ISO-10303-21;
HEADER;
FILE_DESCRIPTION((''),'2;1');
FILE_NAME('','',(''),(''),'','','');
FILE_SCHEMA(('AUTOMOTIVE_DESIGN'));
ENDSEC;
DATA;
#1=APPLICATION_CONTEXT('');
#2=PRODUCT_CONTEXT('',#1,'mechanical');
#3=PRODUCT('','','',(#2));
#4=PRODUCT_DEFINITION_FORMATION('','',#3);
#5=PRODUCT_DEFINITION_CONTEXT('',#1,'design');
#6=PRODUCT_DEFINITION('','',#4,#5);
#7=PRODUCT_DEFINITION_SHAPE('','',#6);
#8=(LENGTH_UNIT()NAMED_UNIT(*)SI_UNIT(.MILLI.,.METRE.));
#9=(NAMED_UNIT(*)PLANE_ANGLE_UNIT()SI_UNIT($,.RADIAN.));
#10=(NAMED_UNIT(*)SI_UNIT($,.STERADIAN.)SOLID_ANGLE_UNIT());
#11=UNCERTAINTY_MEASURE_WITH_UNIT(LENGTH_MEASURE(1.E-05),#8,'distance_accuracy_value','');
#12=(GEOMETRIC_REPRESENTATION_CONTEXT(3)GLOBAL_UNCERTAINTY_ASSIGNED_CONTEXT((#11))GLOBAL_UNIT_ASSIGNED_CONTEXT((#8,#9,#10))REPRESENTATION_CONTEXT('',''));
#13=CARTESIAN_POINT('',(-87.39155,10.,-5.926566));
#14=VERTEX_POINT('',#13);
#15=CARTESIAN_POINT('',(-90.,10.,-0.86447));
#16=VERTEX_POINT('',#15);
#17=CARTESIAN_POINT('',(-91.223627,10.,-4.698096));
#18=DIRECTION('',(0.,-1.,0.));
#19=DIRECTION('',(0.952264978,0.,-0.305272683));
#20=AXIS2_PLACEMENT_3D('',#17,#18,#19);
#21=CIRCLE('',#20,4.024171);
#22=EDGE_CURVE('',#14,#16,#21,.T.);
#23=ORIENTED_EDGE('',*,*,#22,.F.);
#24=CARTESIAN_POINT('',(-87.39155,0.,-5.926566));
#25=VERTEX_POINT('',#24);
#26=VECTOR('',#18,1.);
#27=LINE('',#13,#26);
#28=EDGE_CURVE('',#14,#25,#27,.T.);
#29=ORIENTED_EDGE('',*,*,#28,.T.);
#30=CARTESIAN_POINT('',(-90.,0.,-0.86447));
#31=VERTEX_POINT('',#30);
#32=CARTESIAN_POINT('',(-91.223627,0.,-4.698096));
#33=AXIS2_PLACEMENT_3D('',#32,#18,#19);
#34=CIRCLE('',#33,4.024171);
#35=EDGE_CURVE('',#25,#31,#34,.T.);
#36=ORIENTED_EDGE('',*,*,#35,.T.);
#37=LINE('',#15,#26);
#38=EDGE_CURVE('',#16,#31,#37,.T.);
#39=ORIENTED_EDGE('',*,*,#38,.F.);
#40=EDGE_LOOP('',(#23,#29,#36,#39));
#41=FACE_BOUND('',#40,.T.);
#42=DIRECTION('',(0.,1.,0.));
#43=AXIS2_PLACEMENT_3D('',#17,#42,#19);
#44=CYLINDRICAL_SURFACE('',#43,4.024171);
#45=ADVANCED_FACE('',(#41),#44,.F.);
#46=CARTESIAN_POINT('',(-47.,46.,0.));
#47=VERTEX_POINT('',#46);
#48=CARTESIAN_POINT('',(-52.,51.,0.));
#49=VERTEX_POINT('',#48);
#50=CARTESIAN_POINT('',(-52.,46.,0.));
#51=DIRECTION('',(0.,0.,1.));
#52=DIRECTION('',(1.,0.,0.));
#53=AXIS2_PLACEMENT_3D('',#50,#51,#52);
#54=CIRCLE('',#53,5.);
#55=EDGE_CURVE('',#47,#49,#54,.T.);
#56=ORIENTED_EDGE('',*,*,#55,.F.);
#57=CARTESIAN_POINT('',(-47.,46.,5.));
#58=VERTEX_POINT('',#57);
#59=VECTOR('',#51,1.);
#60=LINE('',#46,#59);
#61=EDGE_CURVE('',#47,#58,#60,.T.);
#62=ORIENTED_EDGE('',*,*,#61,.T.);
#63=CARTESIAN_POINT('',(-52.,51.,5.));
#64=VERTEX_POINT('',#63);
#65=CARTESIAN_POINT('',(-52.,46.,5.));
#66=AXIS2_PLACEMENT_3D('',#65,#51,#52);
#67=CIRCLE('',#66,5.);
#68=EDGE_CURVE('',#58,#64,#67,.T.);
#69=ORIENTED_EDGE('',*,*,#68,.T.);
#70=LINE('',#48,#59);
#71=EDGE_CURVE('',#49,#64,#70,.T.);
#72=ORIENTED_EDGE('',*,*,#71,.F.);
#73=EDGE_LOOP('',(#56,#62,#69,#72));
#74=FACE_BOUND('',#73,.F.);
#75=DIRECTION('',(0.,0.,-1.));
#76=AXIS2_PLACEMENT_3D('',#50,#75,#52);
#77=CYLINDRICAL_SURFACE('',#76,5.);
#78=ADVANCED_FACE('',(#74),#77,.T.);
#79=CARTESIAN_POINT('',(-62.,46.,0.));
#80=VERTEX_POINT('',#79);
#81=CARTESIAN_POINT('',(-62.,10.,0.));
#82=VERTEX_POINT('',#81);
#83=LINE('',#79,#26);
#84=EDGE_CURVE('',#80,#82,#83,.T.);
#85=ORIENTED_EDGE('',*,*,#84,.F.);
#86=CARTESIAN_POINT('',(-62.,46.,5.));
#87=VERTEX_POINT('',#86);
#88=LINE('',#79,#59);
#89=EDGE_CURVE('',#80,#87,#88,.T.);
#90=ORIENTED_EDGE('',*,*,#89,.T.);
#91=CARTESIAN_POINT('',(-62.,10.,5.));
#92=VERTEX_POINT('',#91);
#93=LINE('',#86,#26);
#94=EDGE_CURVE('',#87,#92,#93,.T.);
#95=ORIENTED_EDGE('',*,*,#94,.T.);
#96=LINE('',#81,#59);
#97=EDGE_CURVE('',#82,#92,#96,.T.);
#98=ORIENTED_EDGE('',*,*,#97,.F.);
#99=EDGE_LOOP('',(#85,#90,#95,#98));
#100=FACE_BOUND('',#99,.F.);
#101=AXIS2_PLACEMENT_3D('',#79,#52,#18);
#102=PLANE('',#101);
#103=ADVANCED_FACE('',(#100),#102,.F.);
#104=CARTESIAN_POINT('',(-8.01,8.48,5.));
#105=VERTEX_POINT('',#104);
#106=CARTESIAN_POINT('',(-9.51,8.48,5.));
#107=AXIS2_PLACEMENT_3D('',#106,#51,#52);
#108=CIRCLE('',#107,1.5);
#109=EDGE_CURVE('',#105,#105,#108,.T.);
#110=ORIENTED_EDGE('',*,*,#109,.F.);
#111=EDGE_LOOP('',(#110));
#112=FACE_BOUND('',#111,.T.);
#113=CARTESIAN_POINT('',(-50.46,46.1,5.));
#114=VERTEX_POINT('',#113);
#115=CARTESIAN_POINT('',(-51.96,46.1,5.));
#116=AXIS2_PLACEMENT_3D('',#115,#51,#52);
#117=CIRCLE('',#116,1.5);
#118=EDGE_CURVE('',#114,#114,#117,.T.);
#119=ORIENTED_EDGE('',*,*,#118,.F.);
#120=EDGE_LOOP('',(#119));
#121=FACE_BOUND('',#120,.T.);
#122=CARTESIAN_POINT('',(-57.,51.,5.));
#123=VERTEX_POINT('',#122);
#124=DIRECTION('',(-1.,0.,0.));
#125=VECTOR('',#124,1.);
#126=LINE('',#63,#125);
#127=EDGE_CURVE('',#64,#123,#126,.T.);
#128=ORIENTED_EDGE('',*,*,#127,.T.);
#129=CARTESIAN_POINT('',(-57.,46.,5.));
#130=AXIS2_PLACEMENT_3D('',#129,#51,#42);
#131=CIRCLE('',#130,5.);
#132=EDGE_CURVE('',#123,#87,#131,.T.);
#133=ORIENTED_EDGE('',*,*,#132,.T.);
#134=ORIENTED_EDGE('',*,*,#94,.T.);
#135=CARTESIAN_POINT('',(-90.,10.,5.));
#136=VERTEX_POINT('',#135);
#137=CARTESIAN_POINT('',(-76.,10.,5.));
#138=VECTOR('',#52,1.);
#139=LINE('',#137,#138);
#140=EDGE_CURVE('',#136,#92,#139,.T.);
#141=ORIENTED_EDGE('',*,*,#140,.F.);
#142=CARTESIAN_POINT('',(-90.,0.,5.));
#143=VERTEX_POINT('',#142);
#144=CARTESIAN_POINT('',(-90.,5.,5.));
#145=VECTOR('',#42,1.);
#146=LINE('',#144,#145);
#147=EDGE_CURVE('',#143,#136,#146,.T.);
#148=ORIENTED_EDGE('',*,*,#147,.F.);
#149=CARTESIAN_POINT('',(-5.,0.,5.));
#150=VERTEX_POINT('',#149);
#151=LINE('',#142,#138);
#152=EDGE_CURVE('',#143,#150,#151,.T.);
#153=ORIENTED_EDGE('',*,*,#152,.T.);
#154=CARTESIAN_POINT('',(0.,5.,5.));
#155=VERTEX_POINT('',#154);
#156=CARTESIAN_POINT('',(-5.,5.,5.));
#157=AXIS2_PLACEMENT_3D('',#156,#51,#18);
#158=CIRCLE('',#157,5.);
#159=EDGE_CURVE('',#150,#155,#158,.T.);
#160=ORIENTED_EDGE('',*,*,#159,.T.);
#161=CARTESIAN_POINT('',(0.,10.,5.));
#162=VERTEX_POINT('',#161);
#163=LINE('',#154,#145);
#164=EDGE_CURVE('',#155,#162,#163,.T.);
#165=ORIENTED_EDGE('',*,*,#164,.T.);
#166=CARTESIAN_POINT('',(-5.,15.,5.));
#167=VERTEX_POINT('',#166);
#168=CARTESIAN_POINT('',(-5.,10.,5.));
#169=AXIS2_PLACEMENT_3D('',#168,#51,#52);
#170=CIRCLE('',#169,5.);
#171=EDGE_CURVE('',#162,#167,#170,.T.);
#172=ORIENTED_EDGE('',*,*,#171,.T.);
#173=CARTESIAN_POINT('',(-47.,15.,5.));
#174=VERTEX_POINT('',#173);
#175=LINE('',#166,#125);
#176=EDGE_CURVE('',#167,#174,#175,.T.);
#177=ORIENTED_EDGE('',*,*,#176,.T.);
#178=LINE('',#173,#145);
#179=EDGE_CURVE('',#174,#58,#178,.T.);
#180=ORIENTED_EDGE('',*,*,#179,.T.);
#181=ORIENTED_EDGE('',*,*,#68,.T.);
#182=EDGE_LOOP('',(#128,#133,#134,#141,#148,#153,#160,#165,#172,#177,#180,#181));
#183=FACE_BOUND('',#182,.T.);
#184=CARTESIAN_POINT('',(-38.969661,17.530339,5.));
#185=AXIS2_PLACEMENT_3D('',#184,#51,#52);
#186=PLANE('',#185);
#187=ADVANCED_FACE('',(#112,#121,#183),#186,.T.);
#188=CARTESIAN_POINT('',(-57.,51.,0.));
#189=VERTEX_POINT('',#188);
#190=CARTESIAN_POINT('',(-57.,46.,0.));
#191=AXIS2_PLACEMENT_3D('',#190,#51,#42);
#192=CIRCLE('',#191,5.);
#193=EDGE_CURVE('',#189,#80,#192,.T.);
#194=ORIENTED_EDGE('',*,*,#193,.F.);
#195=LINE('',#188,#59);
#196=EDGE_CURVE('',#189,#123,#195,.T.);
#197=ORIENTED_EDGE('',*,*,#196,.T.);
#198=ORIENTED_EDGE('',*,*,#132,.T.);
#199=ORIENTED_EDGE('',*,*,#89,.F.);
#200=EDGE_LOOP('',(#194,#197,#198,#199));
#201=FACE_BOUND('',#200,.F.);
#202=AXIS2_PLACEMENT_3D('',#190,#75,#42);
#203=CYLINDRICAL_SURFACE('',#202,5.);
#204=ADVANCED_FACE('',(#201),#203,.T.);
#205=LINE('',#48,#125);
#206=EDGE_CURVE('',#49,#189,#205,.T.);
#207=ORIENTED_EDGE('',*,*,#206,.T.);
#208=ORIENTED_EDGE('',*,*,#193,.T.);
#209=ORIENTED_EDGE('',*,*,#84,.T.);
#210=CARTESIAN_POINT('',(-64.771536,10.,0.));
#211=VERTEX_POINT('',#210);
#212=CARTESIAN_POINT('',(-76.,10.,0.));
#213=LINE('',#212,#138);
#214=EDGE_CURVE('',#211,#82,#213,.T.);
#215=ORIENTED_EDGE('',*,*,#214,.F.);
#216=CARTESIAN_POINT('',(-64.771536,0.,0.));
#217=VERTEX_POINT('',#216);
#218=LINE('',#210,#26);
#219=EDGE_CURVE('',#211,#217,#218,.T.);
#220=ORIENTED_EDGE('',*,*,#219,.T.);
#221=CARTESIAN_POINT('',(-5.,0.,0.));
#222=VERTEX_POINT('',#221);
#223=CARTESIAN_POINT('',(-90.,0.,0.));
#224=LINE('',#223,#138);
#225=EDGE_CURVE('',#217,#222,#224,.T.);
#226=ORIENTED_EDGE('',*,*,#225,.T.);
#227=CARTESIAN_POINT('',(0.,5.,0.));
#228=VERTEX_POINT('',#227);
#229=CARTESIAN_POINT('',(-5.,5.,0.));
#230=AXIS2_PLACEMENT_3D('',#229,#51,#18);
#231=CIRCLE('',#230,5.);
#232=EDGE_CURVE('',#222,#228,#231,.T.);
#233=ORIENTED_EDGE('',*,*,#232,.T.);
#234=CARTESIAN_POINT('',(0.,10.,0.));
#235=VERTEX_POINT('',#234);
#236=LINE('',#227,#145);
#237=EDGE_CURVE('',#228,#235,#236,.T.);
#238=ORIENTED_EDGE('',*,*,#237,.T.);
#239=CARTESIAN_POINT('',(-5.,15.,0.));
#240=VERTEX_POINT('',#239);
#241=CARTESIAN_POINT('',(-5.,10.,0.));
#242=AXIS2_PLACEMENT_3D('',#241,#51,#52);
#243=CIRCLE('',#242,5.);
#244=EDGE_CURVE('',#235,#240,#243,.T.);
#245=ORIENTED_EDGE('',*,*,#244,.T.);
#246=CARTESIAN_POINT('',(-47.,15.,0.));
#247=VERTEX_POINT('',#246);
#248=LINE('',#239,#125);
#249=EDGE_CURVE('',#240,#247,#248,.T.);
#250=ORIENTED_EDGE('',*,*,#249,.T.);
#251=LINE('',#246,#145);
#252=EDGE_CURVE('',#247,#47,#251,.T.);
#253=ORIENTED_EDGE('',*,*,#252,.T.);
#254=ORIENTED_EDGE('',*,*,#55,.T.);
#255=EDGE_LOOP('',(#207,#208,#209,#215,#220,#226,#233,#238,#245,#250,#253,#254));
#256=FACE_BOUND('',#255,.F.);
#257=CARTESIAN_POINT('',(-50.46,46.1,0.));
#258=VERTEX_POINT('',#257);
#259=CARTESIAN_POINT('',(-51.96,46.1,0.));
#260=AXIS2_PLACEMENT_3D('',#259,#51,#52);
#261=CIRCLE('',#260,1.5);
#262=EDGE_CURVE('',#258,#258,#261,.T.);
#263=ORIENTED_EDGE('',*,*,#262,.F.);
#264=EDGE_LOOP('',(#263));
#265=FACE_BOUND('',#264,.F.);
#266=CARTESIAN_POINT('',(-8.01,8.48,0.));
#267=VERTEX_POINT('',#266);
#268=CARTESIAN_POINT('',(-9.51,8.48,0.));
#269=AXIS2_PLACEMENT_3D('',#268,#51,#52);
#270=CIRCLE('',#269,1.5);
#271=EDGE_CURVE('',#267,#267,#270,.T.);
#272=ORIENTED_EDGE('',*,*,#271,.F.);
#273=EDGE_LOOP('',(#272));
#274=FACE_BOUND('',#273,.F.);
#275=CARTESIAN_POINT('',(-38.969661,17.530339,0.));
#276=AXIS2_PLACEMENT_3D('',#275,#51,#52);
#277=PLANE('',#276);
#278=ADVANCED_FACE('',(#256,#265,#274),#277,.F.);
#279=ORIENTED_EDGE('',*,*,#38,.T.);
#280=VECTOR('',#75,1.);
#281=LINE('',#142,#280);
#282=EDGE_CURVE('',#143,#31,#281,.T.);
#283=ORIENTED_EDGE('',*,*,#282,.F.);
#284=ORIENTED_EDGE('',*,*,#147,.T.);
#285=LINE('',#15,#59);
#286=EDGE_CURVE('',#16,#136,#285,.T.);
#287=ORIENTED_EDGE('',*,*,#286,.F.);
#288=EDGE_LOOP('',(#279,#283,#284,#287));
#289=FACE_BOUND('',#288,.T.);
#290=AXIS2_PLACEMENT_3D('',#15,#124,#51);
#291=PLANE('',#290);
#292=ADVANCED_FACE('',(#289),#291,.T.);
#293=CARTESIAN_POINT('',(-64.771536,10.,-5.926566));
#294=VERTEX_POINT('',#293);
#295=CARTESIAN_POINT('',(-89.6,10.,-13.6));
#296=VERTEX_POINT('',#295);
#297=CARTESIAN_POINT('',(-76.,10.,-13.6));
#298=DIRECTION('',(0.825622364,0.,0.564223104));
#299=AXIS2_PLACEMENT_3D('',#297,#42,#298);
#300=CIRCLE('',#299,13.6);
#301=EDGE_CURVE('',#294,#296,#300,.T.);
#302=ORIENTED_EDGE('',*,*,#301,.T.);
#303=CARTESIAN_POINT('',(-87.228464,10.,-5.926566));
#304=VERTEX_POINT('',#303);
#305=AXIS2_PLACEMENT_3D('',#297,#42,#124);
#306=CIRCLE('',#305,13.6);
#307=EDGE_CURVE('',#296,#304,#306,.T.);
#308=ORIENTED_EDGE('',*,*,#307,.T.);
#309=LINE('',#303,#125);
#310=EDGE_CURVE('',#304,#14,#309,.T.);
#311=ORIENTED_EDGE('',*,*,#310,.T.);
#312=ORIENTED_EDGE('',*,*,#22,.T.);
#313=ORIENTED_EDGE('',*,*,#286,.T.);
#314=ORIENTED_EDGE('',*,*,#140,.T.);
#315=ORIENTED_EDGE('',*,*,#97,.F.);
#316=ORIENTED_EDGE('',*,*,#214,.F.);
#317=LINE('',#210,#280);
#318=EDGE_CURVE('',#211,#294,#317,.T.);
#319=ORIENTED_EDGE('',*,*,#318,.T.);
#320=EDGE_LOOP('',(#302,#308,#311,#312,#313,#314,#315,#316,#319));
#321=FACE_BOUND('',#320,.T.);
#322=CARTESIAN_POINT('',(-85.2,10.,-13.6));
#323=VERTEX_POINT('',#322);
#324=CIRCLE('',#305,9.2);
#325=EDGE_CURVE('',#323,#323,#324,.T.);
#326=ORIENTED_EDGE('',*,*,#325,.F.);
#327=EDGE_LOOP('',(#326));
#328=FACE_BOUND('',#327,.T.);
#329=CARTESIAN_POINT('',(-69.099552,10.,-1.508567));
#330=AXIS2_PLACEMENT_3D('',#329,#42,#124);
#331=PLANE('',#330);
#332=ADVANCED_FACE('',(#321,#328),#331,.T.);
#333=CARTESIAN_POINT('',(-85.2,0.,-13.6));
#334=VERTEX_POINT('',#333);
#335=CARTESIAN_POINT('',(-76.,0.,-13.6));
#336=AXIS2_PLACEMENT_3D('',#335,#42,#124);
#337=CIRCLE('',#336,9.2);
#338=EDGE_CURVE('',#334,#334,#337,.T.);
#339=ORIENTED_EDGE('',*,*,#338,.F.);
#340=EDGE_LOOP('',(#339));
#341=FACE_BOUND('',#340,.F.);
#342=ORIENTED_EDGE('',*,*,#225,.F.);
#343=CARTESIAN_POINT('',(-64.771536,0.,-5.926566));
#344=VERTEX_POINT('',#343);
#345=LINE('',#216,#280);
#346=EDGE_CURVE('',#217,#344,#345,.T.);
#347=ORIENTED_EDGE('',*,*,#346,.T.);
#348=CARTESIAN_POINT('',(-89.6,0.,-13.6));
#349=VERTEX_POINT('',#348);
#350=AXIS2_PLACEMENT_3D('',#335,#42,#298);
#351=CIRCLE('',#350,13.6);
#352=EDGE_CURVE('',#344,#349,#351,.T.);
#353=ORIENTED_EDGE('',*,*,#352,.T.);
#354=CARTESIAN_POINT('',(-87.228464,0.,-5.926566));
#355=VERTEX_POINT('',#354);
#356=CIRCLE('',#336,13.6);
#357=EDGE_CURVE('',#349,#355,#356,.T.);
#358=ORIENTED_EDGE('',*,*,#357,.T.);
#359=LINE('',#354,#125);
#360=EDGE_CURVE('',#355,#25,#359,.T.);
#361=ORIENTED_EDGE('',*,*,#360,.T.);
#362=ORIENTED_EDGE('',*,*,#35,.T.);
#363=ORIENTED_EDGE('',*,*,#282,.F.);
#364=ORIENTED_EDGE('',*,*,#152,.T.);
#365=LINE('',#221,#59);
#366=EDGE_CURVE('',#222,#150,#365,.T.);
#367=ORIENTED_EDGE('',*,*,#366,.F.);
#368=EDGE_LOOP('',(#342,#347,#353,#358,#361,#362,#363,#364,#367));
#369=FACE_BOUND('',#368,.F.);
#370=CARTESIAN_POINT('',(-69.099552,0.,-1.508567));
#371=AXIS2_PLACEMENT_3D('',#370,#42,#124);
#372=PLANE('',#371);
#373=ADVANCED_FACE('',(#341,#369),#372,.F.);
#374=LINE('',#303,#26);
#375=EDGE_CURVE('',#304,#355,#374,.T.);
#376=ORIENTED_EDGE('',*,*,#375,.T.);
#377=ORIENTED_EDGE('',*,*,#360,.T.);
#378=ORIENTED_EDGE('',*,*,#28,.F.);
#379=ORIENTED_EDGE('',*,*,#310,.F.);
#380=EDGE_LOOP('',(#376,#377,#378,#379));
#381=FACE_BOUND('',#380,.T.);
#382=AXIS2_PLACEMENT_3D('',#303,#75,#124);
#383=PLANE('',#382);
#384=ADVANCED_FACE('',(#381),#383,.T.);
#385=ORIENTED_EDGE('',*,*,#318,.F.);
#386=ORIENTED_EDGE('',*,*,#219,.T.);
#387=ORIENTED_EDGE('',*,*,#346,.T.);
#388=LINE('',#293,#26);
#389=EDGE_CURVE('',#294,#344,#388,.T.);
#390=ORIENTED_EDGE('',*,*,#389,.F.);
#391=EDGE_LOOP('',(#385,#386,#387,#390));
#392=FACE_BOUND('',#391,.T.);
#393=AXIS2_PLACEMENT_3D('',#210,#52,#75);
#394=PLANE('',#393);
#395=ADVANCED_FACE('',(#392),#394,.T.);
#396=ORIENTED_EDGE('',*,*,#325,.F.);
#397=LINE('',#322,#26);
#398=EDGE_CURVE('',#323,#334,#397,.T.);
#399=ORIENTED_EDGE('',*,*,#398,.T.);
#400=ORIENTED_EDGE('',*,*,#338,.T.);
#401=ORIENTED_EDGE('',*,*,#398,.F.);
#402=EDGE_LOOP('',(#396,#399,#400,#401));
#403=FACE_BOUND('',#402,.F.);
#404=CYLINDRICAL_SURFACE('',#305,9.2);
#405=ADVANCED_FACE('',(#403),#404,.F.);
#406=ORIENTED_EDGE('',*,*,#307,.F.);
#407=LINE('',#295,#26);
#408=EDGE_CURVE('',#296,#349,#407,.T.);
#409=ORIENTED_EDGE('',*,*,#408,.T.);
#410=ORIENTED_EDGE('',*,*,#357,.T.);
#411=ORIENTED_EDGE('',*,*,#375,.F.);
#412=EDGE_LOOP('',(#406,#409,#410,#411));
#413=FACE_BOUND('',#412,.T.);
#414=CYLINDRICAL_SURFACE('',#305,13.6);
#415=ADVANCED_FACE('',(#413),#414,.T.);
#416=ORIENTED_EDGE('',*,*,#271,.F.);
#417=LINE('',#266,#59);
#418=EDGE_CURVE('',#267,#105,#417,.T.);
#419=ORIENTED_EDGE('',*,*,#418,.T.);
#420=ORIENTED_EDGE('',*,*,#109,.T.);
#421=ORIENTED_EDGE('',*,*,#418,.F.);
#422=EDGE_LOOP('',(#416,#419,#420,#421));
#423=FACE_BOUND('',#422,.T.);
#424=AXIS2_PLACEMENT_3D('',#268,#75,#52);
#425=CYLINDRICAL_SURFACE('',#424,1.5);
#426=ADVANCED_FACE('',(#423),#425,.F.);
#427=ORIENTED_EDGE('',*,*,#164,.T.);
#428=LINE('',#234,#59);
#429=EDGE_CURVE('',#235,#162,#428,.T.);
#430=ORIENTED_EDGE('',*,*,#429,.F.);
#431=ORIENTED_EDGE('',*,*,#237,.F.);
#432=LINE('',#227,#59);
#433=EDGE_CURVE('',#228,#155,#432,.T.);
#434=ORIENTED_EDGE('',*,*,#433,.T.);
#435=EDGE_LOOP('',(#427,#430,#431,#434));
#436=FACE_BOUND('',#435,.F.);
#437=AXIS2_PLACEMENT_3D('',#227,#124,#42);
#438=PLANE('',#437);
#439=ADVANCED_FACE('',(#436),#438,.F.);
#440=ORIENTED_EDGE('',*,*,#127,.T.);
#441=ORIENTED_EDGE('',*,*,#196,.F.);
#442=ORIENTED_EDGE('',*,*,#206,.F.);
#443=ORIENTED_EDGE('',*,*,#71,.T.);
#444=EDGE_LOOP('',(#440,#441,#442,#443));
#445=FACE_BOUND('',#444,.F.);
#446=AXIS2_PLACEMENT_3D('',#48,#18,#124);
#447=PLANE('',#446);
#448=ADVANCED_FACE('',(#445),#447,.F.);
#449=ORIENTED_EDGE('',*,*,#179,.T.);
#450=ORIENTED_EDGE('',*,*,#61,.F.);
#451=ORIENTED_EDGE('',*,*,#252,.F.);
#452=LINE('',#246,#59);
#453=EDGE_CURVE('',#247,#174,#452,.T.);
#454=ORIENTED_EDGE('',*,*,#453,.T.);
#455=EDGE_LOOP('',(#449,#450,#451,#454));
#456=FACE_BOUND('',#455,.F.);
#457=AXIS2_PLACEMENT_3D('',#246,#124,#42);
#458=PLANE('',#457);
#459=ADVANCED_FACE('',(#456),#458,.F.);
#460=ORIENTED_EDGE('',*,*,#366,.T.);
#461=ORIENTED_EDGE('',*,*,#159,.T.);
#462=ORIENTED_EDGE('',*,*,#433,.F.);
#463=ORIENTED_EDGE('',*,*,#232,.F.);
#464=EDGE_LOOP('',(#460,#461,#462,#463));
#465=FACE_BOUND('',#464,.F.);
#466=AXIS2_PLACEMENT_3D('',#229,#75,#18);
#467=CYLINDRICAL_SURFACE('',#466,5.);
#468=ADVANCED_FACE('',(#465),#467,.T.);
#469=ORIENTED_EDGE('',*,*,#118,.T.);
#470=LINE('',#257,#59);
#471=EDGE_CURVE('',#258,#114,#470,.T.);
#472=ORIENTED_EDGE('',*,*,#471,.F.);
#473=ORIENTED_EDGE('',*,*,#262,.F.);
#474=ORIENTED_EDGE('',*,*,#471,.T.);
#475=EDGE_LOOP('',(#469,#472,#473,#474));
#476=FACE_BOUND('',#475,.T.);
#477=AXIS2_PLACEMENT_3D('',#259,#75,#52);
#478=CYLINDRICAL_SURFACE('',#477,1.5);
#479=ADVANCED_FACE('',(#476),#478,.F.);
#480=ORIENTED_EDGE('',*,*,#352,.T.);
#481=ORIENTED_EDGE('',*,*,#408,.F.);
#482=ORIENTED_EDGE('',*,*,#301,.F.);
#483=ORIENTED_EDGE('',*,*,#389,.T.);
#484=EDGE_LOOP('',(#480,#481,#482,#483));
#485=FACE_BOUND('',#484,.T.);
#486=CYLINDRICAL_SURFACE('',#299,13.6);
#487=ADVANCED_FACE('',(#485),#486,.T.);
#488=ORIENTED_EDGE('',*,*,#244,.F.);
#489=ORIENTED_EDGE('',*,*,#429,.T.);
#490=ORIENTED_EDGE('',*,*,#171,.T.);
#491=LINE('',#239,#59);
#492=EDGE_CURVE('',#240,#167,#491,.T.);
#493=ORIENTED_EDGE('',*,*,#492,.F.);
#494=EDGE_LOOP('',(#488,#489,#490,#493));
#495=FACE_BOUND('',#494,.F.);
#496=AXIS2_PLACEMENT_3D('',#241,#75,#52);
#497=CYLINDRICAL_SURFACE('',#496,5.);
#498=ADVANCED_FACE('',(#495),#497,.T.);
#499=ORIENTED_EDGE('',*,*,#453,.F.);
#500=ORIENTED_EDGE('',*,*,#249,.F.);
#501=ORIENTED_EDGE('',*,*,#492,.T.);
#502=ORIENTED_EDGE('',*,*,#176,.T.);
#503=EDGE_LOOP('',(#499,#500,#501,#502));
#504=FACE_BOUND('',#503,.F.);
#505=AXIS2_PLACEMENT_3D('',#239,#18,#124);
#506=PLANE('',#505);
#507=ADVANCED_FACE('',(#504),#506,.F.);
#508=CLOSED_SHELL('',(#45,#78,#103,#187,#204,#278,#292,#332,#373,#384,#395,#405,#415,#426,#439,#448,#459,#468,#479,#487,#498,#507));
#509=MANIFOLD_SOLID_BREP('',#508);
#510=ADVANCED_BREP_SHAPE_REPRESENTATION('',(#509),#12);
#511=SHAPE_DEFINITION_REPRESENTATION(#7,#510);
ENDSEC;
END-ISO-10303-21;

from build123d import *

# Parameters (mm, degrees)
F0_R     = 1.5
F0_W     = 28
F0_H     = 10
F1_DEPTH = 5
F2_R     = 9.2
F3_DEPTH = 10


with BuildPart() as f1:
    # F0 (on Top) → F1 (new body)
    with BuildSketch(Plane.XY):
        with BuildLine():
            Line((-15, 0), (-5, 0))
            ThreePointArc((-5, 0), (-1.4644660941, 1.4644660941), (0, 5))
            Line((0, 5), (0, 10))
            ThreePointArc((0, 10), (-1.4644660941, 13.5355339059), (-5, 15))
            Line((-5, 15), (-47, 15))
            Line((-47, 15), (-47, 46))
            ThreePointArc((-47, 46), (-48.4644660941, 49.5355339059), (-52, 51))
            Line((-52, 51), (-57, 51))
            ThreePointArc((-57, 51), (-60.5355339059, 49.5355339059), (-62, 46))
            Line((-62, 46), (-62, 41))
            Line((-62, 41), (-62, 10))
            Line((-62, 10), (-62, 0))
            Line((-62, 0), (-15, 0))
        make_face()
        with Locations((-9.51, 8.48)):
            Circle(F0_R, mode=Mode.SUBTRACT)
        with Locations((-51.96, 46.1)):
            Circle(F0_R, mode=Mode.SUBTRACT)
        with Locations((-76, 5)):
            Rectangle(F0_W, F0_H)
    extrude(amount=F1_DEPTH)

    # F2 (on face) → F3 (join)
    with BuildSketch(Plane(origin=(0, 10, 0), x_dir=(-1, 0, 0), z_dir=(0, 1, 0))):
        with BuildLine():
            Line((64.7715358439, 0), (64.7715358439, -5.9265657822))
            ThreePointArc((64.7715358439, -5.9265657822), (69.6517209167, -1.5725583485), (76, 0))
            Line((76, 0), (64.7715358439, 0))
        make_face()
        with BuildLine():
            ThreePointArc((64.7715358439, -5.9265657822), (71.9842256365, -26.5935967408), (89.6, -13.6))
            ThreePointArc((89.6, -13.6), (88.9935967408, -9.5842256365), (87.2284641561, -5.9265657822))
            ThreePointArc((87.2284641561, -5.9265657822), (82.3482790833, -1.5725583485), (76, 0))
            ThreePointArc((76, 0), (69.6517209167, -1.5725583485), (64.7715358439, -5.9265657822))
        make_face()
        with Locations((76, -13.6)):
            Circle(F2_R, mode=Mode.SUBTRACT)
        with BuildLine():
            ThreePointArc((76, 0), (82.3482790833, -1.5725583485), (87.2284641561, -5.9265657822))
            Line((87.2284641561, -5.9265657822), (87.3915502282, -5.9265657822))
            ThreePointArc((87.3915502282, -5.9265657822), (87.646444154, -2.8548077569), (90, -0.8644703082))
            Line((90, -0.8644703082), (90, 0))
            Line((90, 0), (76, 0))
        make_face()
    extrude(amount=-F3_DEPTH)


solid = f1.part
